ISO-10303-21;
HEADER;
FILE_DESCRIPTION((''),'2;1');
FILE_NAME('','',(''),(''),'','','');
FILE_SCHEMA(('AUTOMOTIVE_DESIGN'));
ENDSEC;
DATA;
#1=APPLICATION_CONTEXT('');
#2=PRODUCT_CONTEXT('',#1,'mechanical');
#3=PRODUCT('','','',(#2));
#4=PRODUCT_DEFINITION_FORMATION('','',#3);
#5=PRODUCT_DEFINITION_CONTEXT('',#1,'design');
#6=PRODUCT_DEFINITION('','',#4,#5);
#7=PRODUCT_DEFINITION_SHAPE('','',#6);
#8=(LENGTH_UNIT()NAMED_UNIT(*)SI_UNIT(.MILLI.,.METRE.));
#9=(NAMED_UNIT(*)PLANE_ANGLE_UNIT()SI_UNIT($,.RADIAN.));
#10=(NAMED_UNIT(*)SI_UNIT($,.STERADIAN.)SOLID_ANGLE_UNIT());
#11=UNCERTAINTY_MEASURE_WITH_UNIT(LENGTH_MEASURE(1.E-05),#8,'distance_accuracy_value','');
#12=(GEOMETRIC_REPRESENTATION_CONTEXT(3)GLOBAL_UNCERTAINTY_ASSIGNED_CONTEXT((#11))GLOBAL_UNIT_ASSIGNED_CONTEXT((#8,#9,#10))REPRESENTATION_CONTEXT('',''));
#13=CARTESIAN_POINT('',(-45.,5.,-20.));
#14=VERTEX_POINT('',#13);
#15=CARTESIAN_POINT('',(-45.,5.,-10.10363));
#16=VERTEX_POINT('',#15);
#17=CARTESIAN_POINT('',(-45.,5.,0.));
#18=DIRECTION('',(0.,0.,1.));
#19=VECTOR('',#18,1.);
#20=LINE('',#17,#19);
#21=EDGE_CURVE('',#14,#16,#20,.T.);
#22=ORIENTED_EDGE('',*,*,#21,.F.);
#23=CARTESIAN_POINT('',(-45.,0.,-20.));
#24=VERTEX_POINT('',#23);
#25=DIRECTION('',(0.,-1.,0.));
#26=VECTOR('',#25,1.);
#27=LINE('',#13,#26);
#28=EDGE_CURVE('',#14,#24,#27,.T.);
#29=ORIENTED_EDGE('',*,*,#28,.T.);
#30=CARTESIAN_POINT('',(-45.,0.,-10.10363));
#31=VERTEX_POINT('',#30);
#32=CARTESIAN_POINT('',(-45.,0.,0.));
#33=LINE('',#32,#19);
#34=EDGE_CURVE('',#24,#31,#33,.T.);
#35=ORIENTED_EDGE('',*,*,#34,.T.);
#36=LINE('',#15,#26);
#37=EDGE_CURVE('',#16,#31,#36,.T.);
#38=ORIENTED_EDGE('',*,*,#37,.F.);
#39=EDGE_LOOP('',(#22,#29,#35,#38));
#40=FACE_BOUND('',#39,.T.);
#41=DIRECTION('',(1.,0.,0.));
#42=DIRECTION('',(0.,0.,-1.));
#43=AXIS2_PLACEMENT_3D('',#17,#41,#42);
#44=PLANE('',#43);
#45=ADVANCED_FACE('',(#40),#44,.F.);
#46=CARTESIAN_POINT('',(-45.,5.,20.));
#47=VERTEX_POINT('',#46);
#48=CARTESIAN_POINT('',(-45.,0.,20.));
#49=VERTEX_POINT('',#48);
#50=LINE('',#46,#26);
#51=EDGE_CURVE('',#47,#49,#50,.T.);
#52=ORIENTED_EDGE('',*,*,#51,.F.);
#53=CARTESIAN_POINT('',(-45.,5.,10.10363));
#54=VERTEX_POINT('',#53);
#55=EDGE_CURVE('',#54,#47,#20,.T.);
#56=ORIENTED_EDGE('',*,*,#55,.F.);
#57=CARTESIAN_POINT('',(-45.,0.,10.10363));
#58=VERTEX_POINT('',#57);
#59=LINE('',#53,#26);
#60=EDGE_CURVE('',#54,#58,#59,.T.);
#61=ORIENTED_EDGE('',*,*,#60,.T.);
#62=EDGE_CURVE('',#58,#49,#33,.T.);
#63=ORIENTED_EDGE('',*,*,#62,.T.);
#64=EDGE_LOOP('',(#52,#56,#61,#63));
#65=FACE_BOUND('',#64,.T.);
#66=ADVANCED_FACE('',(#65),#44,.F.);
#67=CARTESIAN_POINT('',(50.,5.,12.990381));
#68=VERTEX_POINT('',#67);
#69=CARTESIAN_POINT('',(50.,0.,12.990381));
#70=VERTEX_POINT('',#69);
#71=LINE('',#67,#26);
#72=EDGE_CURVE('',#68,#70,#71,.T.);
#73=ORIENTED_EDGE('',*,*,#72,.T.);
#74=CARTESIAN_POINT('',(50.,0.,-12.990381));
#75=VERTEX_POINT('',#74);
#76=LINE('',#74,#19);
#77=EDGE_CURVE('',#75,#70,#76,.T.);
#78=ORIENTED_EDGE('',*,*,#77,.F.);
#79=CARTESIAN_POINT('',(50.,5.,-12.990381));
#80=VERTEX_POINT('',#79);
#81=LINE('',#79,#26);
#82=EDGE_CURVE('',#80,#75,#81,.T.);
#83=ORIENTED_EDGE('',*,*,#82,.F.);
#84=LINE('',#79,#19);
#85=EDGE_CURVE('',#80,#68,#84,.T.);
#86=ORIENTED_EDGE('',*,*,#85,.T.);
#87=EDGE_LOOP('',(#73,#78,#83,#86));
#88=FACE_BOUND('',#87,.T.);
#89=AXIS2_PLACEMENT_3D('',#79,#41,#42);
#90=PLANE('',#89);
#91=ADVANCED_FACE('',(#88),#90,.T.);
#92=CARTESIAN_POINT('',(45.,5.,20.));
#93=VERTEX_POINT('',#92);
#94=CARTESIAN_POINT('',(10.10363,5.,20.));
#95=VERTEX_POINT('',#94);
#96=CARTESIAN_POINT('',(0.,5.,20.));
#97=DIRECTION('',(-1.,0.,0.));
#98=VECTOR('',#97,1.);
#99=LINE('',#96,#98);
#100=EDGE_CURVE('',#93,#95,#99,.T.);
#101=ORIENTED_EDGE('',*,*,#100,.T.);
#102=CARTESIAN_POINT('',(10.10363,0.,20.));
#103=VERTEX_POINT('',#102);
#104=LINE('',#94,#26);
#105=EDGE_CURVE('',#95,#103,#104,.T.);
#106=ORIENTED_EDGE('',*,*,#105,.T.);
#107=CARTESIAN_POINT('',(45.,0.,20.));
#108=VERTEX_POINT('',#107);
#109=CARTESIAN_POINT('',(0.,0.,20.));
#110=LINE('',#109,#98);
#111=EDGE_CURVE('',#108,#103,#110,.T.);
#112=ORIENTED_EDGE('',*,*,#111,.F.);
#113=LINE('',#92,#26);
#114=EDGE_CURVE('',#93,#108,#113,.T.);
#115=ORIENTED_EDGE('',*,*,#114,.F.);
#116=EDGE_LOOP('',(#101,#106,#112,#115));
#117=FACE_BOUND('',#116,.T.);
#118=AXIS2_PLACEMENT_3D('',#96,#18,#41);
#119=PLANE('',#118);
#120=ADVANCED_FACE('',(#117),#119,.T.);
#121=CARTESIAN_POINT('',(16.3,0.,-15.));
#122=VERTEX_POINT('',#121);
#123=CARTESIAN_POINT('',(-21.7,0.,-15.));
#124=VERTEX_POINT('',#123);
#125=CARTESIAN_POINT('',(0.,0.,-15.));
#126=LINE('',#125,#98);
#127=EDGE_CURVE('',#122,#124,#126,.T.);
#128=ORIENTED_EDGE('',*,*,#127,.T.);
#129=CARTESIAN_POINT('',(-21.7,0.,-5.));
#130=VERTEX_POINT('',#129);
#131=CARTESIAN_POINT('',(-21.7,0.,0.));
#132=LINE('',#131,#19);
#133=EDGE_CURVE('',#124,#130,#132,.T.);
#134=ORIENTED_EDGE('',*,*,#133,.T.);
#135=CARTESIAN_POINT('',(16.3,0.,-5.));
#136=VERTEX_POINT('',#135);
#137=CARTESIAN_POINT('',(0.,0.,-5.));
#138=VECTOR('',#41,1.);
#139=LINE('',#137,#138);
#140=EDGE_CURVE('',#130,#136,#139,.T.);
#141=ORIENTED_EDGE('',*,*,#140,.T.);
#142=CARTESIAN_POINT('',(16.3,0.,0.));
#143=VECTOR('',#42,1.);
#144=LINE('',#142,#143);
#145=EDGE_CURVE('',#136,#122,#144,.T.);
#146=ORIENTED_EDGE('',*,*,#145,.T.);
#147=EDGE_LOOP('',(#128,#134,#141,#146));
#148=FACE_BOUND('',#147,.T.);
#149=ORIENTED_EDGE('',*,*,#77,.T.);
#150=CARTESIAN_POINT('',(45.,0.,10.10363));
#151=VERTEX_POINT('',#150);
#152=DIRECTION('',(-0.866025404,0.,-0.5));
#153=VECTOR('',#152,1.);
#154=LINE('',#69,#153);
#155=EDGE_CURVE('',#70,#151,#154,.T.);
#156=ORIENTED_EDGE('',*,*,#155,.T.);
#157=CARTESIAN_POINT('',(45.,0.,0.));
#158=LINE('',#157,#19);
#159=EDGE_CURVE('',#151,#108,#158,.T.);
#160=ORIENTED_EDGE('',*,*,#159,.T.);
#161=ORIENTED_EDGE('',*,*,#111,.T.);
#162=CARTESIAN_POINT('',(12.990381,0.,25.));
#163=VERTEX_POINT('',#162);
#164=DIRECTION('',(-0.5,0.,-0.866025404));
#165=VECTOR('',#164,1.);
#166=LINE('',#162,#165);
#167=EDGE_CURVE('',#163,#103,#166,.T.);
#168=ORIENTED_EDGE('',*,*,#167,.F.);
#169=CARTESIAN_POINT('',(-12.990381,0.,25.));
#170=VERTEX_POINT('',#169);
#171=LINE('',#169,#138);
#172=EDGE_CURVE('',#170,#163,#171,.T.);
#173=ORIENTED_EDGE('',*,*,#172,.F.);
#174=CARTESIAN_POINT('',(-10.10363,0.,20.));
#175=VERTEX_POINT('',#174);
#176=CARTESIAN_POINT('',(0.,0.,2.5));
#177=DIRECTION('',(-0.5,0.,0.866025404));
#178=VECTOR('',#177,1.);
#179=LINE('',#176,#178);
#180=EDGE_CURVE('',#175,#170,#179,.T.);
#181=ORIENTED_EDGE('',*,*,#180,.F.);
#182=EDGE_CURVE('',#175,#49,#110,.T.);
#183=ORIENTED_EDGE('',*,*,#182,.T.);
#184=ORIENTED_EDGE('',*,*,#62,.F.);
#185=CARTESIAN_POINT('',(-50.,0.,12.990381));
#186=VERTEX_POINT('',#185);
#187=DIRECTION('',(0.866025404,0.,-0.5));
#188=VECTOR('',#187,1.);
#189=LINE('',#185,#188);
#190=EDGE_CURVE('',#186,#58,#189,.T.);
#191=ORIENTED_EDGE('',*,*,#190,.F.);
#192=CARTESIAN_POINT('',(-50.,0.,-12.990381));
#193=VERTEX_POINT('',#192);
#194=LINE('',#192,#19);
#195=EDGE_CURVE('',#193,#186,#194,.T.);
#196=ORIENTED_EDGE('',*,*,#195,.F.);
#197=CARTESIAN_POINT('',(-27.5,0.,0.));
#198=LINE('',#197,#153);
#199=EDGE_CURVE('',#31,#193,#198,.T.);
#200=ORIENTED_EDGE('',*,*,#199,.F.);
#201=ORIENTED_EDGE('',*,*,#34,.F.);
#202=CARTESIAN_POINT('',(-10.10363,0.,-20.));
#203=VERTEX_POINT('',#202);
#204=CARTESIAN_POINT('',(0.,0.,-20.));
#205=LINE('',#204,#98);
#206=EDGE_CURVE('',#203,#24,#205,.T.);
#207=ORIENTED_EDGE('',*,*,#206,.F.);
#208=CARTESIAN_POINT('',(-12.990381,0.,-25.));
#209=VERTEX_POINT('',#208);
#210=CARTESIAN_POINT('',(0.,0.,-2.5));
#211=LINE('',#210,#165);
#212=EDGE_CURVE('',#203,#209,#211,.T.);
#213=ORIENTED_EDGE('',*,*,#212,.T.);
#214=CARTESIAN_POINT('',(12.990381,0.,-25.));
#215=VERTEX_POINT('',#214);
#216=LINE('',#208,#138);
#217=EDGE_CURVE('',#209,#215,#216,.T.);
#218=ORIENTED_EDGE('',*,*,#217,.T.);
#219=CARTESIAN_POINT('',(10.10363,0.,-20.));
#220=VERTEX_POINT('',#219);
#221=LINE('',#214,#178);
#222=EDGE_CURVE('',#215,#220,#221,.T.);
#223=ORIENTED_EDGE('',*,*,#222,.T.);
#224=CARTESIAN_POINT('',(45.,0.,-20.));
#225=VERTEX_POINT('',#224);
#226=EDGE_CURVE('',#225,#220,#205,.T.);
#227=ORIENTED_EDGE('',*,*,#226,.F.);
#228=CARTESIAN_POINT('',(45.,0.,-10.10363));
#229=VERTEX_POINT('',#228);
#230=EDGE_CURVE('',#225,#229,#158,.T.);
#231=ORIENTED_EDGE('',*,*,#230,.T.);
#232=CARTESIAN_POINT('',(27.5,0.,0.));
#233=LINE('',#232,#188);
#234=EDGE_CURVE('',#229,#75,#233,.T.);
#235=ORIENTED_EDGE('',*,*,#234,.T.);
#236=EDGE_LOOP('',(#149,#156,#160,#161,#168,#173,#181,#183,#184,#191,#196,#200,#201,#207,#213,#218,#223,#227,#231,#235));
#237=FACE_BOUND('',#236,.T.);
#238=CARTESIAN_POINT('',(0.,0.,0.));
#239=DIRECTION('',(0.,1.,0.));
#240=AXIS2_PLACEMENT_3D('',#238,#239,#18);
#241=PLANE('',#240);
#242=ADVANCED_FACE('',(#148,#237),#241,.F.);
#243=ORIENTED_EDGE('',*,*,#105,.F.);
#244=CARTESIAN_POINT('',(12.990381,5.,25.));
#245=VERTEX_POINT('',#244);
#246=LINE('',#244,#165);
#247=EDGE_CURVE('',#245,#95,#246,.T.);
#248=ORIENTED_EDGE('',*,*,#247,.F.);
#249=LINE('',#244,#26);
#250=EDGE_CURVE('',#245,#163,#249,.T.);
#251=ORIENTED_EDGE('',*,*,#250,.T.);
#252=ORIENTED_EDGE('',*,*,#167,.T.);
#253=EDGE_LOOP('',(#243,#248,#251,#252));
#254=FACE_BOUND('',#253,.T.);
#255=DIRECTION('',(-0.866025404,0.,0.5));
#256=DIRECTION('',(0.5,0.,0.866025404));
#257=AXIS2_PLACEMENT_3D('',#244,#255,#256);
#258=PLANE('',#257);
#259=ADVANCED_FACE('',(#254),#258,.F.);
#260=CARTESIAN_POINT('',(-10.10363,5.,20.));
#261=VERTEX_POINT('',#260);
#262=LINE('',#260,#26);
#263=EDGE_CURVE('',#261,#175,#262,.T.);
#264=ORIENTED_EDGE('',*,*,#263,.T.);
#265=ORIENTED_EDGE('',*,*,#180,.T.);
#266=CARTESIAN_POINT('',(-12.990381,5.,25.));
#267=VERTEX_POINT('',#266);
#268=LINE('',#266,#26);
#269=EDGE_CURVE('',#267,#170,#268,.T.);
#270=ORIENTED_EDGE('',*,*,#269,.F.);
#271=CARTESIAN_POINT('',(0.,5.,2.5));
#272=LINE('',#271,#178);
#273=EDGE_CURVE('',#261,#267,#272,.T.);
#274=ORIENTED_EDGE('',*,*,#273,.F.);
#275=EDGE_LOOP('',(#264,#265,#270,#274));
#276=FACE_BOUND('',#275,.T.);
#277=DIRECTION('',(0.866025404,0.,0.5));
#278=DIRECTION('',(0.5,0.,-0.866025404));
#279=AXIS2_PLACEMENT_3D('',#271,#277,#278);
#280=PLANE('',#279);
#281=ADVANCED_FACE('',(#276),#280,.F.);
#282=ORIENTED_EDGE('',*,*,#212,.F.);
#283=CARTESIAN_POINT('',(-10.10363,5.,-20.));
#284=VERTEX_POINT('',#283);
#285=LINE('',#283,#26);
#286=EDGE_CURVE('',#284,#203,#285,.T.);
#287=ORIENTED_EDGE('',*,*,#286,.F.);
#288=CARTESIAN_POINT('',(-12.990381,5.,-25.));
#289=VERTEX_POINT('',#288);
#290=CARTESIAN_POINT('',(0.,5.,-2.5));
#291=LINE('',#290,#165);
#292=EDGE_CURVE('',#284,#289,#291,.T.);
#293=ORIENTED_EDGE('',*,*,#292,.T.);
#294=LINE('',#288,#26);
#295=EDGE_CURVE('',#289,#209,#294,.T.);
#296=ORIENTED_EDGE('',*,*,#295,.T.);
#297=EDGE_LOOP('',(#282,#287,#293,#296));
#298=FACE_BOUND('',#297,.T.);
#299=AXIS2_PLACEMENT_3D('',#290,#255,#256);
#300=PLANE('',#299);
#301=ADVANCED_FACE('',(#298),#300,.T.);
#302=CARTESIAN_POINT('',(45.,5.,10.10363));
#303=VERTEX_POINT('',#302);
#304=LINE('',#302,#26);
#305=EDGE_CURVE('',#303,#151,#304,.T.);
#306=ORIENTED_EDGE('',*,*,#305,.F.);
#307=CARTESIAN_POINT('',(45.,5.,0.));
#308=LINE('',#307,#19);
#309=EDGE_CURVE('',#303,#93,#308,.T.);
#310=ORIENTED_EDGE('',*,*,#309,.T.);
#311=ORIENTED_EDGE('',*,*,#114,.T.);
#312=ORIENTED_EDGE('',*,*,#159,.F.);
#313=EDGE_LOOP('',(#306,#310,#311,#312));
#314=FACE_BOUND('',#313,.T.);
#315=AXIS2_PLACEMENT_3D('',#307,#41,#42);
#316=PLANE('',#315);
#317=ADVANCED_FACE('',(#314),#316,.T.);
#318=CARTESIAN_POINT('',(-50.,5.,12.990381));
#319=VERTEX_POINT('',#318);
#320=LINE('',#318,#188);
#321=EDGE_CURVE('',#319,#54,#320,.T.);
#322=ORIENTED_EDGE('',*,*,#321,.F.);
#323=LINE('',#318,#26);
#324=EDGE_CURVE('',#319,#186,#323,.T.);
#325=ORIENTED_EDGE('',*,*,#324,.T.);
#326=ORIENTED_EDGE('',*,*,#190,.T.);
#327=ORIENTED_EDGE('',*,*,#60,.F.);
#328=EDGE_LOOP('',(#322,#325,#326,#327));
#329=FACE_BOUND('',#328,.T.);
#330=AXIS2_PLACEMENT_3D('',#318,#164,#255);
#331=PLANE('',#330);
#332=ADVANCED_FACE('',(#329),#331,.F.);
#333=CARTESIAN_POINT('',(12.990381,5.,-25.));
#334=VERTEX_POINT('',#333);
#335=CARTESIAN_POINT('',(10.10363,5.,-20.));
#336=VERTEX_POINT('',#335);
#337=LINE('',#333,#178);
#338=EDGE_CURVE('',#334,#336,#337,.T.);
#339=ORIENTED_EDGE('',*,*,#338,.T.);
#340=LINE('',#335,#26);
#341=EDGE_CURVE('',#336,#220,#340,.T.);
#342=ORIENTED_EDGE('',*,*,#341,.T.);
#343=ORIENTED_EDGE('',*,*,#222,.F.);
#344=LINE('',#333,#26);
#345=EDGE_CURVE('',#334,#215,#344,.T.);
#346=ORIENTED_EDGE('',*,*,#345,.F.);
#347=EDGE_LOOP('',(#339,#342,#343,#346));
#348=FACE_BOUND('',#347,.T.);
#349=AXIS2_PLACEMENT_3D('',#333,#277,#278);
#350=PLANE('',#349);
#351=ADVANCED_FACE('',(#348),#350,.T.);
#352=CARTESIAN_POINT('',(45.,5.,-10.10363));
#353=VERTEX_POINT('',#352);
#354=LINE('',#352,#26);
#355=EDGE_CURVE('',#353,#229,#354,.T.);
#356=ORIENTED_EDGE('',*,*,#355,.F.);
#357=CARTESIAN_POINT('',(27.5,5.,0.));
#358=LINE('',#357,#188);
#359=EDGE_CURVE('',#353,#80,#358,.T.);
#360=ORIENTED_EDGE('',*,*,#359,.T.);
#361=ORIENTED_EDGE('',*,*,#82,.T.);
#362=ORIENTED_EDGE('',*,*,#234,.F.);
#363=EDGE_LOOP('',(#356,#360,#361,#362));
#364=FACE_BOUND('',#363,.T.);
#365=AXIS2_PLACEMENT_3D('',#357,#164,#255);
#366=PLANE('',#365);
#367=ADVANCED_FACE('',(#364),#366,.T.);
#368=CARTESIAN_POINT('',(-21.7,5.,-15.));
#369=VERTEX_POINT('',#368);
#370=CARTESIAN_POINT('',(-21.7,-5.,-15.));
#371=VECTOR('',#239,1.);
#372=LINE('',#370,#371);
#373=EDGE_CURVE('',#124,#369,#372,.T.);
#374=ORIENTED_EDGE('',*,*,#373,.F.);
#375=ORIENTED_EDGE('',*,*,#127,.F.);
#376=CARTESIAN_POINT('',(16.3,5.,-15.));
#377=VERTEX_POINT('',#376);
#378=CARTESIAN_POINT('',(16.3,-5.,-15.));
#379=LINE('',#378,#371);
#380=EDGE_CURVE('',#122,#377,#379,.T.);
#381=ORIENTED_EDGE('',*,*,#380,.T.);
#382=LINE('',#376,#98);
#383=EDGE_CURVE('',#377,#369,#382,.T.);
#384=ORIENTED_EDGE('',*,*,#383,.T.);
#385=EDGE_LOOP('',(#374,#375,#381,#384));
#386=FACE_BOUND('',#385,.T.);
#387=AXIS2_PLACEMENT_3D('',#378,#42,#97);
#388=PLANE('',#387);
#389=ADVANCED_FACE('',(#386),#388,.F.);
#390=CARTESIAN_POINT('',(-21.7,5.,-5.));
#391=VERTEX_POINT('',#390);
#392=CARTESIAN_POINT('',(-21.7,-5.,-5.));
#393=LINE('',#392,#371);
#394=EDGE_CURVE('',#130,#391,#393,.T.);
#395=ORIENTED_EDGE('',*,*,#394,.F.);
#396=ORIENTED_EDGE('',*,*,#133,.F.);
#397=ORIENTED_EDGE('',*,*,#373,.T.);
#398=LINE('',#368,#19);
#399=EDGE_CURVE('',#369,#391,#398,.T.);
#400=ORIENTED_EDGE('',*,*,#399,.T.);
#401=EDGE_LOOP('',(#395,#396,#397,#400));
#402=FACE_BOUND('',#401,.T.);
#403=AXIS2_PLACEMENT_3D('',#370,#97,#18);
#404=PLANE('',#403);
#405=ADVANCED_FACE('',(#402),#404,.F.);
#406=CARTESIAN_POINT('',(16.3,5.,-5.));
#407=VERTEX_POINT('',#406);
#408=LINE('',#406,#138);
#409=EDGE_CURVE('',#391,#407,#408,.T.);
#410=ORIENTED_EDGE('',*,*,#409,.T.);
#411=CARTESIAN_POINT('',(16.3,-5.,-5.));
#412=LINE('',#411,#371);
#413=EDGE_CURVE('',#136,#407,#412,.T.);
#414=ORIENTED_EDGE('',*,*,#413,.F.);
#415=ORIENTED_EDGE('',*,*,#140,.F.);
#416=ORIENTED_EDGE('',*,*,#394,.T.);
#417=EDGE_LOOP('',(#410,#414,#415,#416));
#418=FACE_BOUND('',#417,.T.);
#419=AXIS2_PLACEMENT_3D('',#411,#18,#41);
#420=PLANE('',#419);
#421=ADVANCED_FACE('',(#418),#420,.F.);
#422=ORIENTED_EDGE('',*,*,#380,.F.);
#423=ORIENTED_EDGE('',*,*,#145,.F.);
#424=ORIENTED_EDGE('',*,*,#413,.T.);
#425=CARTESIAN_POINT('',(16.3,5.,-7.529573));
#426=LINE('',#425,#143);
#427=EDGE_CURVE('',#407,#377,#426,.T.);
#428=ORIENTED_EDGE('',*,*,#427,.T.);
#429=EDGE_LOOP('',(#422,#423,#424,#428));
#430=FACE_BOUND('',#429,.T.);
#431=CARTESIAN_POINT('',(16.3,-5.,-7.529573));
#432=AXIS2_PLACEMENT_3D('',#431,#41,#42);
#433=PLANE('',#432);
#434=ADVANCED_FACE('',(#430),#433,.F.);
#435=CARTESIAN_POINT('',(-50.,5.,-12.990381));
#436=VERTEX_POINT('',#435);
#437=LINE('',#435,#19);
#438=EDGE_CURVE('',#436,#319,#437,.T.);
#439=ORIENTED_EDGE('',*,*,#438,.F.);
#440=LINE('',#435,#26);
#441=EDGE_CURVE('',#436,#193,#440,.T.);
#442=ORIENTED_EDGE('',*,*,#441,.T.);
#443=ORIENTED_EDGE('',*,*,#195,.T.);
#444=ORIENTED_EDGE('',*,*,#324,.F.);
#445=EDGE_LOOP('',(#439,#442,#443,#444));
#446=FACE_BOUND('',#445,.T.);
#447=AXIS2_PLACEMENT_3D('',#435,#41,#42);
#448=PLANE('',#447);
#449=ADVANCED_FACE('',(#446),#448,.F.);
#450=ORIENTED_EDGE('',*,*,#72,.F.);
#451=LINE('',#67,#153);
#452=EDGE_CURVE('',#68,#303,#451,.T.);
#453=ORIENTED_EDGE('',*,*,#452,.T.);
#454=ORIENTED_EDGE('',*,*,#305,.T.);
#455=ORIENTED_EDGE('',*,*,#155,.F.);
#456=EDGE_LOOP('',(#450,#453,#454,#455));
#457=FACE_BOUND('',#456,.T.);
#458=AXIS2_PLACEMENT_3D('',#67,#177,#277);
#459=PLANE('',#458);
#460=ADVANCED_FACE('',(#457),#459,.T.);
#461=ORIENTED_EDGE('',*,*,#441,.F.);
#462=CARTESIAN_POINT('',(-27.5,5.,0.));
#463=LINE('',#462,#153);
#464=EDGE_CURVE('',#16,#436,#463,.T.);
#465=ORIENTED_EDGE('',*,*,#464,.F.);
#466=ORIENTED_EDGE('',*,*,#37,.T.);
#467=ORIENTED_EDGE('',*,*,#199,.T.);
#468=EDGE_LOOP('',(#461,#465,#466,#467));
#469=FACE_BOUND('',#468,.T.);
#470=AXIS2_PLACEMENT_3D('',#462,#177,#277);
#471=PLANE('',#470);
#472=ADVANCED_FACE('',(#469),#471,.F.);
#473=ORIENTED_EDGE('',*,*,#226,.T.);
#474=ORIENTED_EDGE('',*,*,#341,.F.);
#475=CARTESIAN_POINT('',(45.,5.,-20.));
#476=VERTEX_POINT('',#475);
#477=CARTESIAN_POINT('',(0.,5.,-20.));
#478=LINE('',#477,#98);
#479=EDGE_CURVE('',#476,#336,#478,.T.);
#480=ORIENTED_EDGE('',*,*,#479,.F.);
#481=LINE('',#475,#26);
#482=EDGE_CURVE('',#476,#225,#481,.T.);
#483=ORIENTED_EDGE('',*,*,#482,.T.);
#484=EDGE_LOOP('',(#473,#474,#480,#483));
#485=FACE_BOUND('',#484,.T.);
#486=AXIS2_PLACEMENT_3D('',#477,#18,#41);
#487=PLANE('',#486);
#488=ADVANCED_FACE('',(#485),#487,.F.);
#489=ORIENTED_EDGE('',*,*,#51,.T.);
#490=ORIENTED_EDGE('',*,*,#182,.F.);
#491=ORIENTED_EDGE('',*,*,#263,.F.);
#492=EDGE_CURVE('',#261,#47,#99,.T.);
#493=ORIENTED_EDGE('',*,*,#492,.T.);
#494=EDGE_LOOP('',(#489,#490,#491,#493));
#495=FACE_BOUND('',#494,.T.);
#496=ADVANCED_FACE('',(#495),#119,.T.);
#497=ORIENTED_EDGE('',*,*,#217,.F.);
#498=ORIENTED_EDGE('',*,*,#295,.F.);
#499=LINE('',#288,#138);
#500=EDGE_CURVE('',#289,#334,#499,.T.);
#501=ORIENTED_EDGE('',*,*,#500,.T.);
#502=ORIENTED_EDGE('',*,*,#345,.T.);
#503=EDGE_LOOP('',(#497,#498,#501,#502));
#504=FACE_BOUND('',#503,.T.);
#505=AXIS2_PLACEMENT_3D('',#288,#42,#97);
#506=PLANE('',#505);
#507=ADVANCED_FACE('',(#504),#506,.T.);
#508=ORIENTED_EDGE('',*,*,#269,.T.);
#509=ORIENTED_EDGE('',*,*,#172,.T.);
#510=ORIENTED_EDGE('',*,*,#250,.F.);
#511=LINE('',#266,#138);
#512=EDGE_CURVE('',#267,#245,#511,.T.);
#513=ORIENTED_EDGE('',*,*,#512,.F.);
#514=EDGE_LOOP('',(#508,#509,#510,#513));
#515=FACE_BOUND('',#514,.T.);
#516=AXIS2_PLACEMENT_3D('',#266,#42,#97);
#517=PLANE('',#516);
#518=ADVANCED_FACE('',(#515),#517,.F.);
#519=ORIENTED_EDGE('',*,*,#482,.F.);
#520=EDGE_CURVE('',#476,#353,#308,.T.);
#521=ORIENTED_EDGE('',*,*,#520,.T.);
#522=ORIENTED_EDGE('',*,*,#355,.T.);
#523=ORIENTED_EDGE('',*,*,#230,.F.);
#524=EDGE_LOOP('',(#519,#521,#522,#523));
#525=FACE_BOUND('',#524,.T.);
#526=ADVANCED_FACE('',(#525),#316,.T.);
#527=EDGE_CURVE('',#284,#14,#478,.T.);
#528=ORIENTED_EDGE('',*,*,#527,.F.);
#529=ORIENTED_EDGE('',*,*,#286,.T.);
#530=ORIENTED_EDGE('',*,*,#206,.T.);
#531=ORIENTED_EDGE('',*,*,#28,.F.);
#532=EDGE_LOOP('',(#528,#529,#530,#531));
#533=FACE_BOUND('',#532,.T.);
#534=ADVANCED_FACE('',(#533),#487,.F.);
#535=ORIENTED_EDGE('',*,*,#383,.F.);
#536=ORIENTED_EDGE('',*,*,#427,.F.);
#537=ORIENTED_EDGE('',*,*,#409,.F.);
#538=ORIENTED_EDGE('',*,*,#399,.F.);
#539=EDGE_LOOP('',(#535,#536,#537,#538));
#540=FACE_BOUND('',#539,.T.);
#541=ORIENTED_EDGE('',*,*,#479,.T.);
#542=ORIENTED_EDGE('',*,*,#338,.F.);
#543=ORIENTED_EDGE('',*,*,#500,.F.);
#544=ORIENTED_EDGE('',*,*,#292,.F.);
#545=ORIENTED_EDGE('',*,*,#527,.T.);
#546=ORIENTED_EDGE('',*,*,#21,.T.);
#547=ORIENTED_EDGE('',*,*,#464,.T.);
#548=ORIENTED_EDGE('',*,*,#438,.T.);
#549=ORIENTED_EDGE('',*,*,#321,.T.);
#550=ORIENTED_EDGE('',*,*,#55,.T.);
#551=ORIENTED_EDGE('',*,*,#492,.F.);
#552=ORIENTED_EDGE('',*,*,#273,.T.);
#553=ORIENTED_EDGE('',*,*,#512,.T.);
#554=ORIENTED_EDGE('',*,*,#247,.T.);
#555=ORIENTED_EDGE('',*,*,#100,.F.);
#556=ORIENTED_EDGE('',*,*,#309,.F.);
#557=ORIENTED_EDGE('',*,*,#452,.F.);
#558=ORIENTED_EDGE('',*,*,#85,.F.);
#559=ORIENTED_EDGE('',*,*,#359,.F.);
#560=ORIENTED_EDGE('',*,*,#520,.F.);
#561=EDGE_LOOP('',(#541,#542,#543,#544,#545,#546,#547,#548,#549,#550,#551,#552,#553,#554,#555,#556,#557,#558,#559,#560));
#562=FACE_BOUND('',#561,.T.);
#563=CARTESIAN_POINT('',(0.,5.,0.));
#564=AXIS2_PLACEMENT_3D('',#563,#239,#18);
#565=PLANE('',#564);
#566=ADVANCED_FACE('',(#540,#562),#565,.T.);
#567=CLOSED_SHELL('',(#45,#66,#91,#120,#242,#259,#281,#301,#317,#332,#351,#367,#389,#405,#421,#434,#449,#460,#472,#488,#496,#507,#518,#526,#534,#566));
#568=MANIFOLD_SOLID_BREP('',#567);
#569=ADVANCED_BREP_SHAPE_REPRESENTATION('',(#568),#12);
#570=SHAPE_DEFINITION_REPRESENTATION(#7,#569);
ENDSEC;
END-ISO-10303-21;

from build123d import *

# Parameters (mm, degrees)
SKETCH2_W           = 90
SKETCH2_H           = 40
BOSS_EXTRUDE1_DEPTH = 5
CUT_EXTRUDE1_DEPTH  = 10


with BuildPart() as part:
    # Sketch2 → Boss-Extrude1 (new body)
    with BuildSketch(Plane(origin=(0, 0, 0), x_dir=(-1, 0, 0), z_dir=(0, 1, 0))):
        Polygon((-50, -12.990381057), (-50, 12.990381057), (-27.5, 0), align=None)
        Rectangle(SKETCH2_W, SKETCH2_H)
        Polygon((50, 12.990381057), (27.5, 0), (50, -12.990381057), align=None)
        Polygon((12.990381057, 25), (-12.990381057, 25), (0, 2.5), align=None)
        Polygon((0, -2.5), (12.990381057, -25), (-12.990381057, -25), align=None)
    extrude(amount=BOSS_EXTRUDE1_DEPTH)

    # Sketch3 → Cut-Extrude1 (cut)
    with BuildSketch(Plane(origin=(0, 5, 0), x_dir=(-1, 0, 0), z_dir=(0, 1, 0))):
        Polygon((-16.3, -7.529573217), (-16.3, -15), (21.7, -15), (21.7, -5), (-16.3, -5), align=None)
    extrude(amount=-CUT_EXTRUDE1_DEPTH, mode=Mode.SUBTRACT)


solid = part.part
